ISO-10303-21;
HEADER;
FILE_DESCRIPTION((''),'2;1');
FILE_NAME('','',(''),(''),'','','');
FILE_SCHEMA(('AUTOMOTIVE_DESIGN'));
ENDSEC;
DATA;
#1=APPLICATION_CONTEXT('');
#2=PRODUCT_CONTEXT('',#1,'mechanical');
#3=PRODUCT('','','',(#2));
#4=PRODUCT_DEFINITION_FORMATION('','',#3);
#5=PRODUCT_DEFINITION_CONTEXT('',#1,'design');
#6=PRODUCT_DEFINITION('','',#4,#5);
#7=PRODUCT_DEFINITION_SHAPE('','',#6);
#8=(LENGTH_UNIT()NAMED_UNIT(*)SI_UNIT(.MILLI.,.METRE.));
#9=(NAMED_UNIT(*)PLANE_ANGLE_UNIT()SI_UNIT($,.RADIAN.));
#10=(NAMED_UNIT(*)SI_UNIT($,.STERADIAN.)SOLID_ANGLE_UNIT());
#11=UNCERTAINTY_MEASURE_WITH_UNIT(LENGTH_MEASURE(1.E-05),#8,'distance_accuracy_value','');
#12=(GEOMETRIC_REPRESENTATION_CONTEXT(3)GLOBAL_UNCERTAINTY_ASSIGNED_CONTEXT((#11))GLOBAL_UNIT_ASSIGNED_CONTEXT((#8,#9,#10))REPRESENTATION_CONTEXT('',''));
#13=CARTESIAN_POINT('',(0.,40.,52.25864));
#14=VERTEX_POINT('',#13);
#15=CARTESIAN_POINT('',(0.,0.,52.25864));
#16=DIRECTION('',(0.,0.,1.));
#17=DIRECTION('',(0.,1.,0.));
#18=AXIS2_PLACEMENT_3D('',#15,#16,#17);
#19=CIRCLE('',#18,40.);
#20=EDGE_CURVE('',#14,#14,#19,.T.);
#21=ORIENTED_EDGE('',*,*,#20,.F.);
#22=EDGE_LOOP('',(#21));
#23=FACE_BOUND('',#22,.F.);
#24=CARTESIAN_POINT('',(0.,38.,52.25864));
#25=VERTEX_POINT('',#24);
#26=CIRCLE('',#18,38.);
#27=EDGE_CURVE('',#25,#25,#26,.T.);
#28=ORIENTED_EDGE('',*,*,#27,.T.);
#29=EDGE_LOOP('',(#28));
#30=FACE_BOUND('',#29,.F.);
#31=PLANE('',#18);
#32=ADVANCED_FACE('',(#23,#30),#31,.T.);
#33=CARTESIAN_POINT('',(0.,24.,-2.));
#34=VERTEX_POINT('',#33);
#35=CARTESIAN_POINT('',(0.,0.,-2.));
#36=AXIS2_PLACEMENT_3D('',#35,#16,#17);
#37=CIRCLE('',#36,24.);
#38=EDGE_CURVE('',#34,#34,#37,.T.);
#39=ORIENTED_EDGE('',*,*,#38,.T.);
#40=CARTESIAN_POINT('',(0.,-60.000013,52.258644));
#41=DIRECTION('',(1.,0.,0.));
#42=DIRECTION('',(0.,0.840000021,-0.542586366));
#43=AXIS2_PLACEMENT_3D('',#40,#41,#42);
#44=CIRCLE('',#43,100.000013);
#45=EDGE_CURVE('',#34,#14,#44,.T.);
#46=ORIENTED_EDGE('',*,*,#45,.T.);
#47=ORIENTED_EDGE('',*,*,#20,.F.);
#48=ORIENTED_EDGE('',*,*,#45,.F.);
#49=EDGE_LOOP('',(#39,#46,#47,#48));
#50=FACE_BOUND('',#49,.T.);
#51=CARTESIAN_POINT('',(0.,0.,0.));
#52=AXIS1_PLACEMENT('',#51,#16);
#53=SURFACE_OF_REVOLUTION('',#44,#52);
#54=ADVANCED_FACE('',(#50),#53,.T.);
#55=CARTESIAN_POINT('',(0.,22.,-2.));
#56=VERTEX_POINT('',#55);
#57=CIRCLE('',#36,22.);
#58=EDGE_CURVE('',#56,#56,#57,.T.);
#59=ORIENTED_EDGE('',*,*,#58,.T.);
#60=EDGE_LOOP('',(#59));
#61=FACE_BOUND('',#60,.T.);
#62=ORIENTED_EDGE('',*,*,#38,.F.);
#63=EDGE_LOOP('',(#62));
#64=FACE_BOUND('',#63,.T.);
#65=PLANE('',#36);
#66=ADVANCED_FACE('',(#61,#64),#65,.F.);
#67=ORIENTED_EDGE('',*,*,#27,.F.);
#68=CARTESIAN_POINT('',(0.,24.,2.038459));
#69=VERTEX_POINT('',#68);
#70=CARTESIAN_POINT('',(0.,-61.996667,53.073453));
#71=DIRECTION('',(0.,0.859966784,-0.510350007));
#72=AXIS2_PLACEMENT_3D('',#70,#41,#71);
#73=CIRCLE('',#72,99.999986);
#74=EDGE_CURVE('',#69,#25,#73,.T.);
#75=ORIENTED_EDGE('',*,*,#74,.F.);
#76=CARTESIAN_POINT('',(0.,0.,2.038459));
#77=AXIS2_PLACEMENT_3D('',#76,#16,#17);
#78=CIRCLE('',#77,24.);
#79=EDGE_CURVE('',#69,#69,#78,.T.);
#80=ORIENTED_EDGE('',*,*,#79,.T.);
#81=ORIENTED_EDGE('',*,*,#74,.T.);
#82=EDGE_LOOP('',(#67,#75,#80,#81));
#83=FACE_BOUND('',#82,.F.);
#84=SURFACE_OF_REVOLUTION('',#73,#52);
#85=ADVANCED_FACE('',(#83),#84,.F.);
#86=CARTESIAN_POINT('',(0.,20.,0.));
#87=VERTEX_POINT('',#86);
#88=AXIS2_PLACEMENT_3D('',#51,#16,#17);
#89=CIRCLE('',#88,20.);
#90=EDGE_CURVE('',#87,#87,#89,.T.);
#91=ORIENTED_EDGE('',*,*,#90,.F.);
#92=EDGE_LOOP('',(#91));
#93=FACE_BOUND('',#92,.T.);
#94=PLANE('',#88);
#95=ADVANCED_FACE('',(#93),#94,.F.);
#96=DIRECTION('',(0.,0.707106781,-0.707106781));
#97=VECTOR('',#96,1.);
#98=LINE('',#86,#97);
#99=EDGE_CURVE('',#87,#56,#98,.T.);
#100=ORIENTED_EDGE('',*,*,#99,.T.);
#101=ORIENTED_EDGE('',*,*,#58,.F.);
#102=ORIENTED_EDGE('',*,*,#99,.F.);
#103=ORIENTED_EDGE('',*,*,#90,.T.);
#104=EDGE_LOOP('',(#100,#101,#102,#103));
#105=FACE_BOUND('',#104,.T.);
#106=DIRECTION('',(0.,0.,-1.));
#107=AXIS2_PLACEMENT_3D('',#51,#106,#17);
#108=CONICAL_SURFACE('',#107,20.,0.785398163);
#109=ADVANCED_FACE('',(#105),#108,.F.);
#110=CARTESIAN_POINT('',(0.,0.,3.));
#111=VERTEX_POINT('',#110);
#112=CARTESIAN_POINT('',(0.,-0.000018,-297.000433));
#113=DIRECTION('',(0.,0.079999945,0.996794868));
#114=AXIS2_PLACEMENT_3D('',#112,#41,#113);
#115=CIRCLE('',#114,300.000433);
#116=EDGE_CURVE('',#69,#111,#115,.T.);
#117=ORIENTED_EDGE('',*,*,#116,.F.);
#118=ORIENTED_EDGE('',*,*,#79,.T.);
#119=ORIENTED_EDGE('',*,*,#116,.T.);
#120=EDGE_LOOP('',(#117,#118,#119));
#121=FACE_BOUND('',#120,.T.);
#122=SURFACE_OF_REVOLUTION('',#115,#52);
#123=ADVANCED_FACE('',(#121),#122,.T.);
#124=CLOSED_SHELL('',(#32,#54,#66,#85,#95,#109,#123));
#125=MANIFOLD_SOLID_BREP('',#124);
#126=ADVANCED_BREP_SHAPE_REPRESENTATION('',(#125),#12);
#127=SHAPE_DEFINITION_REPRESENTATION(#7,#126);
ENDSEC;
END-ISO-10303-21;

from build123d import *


with BuildPart() as part:
    # Sketch → Revolution (revolve)
    with BuildSketch(Plane.YZ):
        with BuildLine():
            Line((0, 0), (20, 0))
            Line((20, 0), (22, -2))
            Line((22, -2), (24, -2))
            ThreePointArc((24, -2), (35.91663, 23.974369), (40, 52.25864))
            Line((38, 52.25864), (40, 52.25864))
            ThreePointArc((24, 2.038459), (34.330363, 26.220136), (38, 52.25864))
            ThreePointArc((24, 2.038459), (12.009627, 2.759518), (0, 3))
            Line((0, 3), (0, 0))
        make_face()
    revolve(axis=Axis((0, 0, 0), (0, 0, 1)))


solid = part.part
